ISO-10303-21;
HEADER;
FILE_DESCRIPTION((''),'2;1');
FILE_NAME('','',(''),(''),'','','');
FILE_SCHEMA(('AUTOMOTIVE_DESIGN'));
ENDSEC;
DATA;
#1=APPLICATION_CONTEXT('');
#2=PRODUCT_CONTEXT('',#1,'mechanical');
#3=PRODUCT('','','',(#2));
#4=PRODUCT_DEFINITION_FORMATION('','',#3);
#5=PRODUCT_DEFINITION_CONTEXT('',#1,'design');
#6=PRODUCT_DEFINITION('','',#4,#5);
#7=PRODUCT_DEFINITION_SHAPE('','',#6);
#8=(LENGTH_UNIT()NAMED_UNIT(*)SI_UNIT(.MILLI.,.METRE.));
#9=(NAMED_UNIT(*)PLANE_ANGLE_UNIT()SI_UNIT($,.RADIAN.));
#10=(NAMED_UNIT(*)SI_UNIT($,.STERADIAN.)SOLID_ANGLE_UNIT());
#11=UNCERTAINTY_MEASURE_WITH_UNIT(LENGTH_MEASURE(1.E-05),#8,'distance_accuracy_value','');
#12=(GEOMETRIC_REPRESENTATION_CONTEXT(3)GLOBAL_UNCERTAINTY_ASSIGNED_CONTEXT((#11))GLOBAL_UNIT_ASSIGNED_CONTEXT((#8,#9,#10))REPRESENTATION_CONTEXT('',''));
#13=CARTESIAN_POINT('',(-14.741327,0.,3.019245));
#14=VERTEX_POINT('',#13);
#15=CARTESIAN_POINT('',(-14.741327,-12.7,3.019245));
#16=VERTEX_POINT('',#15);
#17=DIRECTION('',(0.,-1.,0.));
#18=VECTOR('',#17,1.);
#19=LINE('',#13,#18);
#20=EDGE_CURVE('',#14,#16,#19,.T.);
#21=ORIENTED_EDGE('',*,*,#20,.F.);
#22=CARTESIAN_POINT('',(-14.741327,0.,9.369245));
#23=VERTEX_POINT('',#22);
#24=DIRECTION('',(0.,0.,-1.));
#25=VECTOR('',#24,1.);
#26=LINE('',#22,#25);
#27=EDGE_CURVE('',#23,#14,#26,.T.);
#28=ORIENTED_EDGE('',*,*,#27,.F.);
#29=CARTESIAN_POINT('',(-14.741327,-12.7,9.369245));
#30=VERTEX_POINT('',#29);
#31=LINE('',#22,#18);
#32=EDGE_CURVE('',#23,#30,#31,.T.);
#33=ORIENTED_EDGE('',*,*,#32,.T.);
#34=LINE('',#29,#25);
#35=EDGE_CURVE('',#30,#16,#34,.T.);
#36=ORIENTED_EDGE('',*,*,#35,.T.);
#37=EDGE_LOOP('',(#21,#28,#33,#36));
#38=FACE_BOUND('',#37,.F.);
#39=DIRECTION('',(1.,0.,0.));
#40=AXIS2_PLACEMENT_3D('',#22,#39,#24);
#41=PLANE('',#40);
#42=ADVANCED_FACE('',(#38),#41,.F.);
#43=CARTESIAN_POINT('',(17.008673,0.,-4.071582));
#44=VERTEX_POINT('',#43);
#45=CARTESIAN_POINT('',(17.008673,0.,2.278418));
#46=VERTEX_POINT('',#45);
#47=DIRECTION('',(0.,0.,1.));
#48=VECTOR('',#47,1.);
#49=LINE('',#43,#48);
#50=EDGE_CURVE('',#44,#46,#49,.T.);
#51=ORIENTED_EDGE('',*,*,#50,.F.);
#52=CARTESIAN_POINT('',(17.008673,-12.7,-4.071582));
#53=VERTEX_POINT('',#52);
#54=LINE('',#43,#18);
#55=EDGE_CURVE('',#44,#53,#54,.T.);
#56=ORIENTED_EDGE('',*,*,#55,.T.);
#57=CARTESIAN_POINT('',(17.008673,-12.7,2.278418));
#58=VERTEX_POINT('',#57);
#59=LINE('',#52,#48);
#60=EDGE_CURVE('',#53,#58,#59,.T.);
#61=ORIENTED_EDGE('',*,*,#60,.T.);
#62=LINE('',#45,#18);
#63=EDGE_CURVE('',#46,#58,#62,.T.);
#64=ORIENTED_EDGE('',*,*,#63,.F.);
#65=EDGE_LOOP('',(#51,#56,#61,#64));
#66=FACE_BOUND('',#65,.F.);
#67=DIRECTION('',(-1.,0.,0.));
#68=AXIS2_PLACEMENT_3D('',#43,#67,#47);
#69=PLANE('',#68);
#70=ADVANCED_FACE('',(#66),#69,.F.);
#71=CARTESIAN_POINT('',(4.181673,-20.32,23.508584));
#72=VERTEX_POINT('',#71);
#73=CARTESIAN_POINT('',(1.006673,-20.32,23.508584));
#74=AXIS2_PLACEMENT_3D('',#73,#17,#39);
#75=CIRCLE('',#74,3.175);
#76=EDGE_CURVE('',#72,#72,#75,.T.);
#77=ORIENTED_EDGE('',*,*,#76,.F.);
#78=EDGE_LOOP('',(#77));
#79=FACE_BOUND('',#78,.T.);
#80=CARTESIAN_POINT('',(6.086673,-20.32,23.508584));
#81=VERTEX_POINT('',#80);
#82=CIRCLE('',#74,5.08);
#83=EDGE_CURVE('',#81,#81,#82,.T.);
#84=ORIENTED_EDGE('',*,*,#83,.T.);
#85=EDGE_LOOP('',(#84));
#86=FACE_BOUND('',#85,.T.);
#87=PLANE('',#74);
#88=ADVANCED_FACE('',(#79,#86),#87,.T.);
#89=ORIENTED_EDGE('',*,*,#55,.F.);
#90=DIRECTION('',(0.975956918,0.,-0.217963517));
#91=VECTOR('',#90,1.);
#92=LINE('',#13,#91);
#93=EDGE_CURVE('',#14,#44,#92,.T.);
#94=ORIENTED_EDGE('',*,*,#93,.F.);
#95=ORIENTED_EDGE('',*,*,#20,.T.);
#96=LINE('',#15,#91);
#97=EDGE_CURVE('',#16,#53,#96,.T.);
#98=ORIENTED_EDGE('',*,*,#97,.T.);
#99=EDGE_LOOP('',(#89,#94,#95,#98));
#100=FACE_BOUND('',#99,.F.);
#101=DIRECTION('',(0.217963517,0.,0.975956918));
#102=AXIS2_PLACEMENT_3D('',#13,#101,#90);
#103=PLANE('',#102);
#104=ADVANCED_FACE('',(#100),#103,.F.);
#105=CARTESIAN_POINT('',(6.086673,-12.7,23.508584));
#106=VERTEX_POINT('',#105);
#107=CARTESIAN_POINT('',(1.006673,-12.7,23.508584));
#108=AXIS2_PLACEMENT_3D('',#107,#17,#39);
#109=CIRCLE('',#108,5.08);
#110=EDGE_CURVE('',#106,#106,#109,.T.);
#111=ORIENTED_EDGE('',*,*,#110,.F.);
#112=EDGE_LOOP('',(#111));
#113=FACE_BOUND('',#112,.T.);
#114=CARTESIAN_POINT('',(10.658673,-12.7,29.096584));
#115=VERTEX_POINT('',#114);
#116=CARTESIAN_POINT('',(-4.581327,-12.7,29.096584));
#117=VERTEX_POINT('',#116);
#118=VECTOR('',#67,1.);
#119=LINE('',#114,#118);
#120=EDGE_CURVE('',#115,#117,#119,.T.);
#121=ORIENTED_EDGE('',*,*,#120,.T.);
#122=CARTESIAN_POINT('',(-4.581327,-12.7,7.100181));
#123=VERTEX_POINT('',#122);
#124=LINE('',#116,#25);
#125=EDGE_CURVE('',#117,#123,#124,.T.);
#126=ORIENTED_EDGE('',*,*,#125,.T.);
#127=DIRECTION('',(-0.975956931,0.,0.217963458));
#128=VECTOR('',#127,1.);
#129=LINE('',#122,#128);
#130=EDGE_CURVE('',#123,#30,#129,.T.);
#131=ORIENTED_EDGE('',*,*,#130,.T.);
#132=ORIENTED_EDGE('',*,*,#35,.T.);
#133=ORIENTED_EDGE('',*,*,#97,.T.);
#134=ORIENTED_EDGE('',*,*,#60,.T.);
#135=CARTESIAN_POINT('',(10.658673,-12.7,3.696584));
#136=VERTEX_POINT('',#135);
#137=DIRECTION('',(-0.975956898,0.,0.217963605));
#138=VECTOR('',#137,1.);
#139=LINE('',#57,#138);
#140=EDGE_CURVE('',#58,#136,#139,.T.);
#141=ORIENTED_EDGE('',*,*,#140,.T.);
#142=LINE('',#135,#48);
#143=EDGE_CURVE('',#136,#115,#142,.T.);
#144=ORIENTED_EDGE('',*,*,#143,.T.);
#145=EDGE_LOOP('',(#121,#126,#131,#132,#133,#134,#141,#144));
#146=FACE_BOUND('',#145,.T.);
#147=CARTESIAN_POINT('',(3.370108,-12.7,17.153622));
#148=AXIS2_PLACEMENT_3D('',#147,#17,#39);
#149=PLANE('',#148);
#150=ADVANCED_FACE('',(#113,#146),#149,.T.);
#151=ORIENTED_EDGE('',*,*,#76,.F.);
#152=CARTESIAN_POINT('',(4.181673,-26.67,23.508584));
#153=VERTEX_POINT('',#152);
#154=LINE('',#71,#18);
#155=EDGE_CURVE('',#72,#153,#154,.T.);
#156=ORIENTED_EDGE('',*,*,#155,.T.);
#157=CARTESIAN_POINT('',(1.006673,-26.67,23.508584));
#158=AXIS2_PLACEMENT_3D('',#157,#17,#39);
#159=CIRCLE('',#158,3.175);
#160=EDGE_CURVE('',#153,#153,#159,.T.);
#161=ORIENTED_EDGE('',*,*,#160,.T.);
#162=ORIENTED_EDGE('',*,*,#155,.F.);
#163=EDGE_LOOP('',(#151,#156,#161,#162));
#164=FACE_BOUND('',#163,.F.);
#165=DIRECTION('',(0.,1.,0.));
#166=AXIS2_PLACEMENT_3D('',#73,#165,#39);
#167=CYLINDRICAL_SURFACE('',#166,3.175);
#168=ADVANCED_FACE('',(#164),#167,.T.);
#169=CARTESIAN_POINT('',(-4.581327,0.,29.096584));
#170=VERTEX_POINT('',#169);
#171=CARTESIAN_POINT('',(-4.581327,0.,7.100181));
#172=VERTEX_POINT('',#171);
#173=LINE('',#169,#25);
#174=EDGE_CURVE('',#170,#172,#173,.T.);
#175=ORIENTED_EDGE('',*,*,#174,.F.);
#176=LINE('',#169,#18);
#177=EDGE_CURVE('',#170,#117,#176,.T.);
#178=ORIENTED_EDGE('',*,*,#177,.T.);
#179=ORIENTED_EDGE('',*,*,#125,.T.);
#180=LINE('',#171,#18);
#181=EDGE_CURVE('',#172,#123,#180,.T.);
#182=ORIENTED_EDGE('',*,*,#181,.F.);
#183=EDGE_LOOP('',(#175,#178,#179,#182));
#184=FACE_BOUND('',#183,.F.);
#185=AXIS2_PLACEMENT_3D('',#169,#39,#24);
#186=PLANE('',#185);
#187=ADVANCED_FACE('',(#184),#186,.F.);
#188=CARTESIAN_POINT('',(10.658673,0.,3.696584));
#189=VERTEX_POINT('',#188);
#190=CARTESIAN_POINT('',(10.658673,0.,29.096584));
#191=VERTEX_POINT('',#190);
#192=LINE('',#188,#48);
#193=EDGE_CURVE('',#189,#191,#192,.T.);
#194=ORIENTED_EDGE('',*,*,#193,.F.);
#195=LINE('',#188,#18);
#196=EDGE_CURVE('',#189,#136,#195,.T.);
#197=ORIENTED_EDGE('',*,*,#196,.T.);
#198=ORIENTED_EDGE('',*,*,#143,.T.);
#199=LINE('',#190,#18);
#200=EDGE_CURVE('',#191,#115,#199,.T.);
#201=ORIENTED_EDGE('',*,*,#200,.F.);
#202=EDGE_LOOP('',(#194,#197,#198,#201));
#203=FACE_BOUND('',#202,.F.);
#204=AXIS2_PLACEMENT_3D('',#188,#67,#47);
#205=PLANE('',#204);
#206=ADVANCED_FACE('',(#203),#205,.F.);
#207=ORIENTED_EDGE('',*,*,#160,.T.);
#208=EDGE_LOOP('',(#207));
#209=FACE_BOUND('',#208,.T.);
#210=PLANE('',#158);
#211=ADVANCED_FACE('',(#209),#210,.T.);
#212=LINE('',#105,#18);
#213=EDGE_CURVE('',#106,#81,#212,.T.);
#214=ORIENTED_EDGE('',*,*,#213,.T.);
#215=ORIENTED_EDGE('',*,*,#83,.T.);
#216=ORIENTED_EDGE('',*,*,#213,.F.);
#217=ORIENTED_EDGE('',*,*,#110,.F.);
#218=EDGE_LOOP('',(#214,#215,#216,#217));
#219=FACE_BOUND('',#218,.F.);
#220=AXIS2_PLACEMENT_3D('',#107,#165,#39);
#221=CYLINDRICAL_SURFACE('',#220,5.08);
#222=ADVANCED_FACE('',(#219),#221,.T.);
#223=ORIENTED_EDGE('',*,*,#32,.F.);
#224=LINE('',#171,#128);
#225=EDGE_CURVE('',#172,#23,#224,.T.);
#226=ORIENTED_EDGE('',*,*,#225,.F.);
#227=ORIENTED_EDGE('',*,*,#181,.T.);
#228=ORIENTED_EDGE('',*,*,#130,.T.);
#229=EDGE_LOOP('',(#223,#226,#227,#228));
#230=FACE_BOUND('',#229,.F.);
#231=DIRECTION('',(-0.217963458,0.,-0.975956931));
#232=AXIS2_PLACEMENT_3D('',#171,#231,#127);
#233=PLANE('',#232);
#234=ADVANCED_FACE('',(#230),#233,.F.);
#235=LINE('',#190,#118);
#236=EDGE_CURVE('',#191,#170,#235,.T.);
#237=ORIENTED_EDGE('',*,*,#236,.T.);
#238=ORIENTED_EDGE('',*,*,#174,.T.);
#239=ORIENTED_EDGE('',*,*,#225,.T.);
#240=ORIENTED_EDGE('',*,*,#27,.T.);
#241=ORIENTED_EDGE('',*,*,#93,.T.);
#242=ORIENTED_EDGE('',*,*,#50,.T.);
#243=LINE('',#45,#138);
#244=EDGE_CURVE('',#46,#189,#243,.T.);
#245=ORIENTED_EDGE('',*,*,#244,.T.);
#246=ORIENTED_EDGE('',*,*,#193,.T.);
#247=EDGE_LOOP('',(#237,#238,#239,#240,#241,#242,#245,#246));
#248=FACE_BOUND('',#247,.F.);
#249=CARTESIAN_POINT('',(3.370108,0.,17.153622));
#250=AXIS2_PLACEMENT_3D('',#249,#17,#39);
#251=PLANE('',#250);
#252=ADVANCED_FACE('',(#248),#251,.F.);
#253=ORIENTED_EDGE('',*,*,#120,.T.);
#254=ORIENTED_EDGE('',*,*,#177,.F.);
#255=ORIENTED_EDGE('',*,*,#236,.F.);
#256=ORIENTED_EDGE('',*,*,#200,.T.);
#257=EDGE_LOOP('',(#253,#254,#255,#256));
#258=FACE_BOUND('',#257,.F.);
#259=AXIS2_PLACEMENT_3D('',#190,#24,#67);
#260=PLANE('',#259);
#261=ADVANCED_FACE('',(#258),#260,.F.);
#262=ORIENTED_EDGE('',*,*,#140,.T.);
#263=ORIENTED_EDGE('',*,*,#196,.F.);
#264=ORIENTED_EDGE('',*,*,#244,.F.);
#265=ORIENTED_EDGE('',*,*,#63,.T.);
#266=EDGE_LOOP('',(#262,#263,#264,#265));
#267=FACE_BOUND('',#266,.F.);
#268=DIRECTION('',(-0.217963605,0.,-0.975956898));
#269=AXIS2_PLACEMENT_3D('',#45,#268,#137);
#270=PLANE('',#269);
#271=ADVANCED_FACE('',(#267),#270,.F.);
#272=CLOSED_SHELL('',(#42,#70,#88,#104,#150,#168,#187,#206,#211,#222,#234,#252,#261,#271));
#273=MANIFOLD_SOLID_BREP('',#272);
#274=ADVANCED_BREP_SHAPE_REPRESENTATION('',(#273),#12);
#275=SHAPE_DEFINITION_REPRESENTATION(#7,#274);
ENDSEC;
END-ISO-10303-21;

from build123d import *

# Parameters (mm, degrees)
F1_DEPTH = 12.7
F2_R     = 5.08
F3_DEPTH = 7.62
F4_R     = 3.175
F5_DEPTH = 6.35


with BuildPart() as f1:
    # F0 (on Front) → F1 (new body)
    with BuildSketch(Plane.XZ):
        Polygon((-4.581327, 29.096584), (-4.581327, 7.100181), (10.658673, 3.696584), (10.658673, 29.096584), align=None)
        Polygon((-4.581327, 7.100181), (-14.741327, 9.369245), (-14.741327, 3.019245), (17.008673, -4.071582), (17.008673, 2.278418), (10.658673, 3.696584), align=None)
    extrude(amount=F1_DEPTH)

    # F2 (on face) → F3 (join)
    with BuildSketch(Plane.XZ.offset(12.7)):
        with Locations((1.006673, 23.508584)):
            Circle(F2_R)
    extrude(amount=F3_DEPTH)

    # F4 (on face) → F5 (join)
    with BuildSketch(Plane.XZ.offset(20.32)):
        with Locations((1.006673, 23.508584)):
            Circle(F4_R)
    extrude(amount=F5_DEPTH)


solid = f1.part
